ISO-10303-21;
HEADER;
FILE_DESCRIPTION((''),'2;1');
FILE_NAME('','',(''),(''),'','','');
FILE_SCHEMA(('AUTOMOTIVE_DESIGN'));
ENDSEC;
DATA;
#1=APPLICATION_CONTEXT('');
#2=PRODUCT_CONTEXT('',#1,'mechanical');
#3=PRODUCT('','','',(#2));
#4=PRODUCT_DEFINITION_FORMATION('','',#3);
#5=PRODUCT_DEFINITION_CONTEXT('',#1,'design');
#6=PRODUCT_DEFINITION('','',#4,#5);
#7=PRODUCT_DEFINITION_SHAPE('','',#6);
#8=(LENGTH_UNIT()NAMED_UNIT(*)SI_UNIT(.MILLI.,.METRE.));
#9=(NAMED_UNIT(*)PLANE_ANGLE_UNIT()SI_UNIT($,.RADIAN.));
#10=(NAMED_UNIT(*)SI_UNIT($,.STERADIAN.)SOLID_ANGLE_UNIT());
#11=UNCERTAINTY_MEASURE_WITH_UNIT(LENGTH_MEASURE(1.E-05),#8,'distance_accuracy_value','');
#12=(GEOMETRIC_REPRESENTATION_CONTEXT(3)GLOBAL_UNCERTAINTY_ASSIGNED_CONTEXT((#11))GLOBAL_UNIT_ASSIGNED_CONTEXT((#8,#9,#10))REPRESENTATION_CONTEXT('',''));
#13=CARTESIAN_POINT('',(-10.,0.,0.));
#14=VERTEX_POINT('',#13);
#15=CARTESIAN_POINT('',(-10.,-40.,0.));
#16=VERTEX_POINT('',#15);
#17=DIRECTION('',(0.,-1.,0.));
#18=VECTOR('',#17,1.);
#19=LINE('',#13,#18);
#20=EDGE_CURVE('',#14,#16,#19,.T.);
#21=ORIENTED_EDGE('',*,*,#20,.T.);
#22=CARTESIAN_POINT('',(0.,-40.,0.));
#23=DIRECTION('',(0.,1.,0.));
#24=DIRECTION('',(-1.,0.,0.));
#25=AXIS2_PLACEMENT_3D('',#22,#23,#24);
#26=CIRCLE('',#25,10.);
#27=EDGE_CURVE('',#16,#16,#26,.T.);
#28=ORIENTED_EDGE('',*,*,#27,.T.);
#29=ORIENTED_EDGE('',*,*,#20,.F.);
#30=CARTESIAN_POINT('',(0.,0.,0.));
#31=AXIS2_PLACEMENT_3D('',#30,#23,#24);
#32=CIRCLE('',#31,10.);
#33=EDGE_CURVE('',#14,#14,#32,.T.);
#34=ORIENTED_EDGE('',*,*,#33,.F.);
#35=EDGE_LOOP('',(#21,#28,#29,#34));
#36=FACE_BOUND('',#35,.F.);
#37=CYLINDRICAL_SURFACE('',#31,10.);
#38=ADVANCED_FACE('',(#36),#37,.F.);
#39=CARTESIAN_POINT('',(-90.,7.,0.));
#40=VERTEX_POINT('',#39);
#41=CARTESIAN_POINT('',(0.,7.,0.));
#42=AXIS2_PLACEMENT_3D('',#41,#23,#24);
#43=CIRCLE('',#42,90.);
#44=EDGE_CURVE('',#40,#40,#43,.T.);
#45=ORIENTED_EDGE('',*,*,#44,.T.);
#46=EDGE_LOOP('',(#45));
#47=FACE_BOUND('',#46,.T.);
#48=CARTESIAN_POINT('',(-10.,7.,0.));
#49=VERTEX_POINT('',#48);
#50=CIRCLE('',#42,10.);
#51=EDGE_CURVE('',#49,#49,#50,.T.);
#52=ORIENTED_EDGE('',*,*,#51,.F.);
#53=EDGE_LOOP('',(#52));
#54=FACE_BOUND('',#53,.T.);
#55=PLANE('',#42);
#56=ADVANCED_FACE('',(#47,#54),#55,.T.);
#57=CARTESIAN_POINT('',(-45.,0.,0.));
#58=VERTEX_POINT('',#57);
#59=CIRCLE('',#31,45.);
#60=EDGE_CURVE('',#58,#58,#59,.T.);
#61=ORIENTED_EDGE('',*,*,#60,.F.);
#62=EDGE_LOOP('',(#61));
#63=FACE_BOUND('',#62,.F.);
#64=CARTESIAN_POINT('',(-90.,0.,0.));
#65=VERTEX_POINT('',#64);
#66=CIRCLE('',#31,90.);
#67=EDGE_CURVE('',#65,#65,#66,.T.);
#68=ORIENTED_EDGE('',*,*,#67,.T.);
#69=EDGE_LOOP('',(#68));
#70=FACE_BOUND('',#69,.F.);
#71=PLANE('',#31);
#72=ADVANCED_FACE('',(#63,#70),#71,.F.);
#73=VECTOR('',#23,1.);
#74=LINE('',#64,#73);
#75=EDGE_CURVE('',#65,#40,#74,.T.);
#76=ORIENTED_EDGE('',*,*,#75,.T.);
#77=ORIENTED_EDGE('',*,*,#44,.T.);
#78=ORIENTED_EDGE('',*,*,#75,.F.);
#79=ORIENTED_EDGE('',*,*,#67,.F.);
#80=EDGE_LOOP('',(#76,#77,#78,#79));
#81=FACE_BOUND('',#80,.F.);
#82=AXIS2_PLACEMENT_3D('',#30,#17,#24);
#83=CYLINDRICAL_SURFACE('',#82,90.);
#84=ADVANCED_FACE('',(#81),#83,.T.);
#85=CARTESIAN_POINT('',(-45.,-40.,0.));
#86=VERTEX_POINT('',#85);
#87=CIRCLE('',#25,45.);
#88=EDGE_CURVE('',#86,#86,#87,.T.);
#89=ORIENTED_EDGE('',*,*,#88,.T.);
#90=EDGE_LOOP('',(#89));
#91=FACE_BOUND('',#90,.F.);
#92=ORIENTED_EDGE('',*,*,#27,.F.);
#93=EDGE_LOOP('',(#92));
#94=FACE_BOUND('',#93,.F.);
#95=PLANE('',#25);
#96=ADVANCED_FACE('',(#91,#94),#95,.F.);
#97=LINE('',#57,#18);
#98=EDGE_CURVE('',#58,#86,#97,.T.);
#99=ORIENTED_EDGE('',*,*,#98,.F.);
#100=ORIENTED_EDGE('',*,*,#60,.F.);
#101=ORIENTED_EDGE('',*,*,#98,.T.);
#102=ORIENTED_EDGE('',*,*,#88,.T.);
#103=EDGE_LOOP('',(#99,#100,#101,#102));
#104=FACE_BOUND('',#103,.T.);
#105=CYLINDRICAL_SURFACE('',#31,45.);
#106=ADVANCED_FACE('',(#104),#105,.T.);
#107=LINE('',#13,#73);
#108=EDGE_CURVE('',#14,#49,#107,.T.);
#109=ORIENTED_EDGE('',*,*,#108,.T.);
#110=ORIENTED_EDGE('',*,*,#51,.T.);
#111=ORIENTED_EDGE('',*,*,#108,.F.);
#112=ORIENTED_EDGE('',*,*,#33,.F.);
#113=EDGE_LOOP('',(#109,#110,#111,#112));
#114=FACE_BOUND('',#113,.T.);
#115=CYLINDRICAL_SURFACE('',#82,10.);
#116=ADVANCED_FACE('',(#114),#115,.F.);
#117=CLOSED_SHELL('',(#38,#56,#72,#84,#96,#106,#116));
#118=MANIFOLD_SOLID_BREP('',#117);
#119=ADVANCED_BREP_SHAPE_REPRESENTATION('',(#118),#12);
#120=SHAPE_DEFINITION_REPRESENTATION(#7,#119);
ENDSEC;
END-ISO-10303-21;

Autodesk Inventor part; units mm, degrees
ref_plane "YZ Plane" through (0, 0, 0) normal (1, 0, 0) x (0, 1, 0)
ref_plane "XZ Plane" through (0, 0, 0) normal (0, 1, 0) x (-1, 0, 0)
ref_plane "XY Plane" through (0, 0, 0) normal (0, 0, 1) x (1, 0, 0)
sketch "Sketch1" plane through (0, 0, 0) normal (0, 1, 0) x (-1, 0, 0)
  circle A0 centre (0, 0) radius 90
  circle A1 centre (0, 0) radius 45
  circle A2 centre (0, 0) radius 10
  dimension "d0" = 180
  dimension "d1" = 90
  dimension "d2" = 20
extrude "Extrusion1" add sketch "Sketch1" along normal blind 7 contours A0 | A1
extrude "Extrusion2" add sketch "Sketch1" against normal blind 40 contours A1
properties part number "56T-Sprocket"
